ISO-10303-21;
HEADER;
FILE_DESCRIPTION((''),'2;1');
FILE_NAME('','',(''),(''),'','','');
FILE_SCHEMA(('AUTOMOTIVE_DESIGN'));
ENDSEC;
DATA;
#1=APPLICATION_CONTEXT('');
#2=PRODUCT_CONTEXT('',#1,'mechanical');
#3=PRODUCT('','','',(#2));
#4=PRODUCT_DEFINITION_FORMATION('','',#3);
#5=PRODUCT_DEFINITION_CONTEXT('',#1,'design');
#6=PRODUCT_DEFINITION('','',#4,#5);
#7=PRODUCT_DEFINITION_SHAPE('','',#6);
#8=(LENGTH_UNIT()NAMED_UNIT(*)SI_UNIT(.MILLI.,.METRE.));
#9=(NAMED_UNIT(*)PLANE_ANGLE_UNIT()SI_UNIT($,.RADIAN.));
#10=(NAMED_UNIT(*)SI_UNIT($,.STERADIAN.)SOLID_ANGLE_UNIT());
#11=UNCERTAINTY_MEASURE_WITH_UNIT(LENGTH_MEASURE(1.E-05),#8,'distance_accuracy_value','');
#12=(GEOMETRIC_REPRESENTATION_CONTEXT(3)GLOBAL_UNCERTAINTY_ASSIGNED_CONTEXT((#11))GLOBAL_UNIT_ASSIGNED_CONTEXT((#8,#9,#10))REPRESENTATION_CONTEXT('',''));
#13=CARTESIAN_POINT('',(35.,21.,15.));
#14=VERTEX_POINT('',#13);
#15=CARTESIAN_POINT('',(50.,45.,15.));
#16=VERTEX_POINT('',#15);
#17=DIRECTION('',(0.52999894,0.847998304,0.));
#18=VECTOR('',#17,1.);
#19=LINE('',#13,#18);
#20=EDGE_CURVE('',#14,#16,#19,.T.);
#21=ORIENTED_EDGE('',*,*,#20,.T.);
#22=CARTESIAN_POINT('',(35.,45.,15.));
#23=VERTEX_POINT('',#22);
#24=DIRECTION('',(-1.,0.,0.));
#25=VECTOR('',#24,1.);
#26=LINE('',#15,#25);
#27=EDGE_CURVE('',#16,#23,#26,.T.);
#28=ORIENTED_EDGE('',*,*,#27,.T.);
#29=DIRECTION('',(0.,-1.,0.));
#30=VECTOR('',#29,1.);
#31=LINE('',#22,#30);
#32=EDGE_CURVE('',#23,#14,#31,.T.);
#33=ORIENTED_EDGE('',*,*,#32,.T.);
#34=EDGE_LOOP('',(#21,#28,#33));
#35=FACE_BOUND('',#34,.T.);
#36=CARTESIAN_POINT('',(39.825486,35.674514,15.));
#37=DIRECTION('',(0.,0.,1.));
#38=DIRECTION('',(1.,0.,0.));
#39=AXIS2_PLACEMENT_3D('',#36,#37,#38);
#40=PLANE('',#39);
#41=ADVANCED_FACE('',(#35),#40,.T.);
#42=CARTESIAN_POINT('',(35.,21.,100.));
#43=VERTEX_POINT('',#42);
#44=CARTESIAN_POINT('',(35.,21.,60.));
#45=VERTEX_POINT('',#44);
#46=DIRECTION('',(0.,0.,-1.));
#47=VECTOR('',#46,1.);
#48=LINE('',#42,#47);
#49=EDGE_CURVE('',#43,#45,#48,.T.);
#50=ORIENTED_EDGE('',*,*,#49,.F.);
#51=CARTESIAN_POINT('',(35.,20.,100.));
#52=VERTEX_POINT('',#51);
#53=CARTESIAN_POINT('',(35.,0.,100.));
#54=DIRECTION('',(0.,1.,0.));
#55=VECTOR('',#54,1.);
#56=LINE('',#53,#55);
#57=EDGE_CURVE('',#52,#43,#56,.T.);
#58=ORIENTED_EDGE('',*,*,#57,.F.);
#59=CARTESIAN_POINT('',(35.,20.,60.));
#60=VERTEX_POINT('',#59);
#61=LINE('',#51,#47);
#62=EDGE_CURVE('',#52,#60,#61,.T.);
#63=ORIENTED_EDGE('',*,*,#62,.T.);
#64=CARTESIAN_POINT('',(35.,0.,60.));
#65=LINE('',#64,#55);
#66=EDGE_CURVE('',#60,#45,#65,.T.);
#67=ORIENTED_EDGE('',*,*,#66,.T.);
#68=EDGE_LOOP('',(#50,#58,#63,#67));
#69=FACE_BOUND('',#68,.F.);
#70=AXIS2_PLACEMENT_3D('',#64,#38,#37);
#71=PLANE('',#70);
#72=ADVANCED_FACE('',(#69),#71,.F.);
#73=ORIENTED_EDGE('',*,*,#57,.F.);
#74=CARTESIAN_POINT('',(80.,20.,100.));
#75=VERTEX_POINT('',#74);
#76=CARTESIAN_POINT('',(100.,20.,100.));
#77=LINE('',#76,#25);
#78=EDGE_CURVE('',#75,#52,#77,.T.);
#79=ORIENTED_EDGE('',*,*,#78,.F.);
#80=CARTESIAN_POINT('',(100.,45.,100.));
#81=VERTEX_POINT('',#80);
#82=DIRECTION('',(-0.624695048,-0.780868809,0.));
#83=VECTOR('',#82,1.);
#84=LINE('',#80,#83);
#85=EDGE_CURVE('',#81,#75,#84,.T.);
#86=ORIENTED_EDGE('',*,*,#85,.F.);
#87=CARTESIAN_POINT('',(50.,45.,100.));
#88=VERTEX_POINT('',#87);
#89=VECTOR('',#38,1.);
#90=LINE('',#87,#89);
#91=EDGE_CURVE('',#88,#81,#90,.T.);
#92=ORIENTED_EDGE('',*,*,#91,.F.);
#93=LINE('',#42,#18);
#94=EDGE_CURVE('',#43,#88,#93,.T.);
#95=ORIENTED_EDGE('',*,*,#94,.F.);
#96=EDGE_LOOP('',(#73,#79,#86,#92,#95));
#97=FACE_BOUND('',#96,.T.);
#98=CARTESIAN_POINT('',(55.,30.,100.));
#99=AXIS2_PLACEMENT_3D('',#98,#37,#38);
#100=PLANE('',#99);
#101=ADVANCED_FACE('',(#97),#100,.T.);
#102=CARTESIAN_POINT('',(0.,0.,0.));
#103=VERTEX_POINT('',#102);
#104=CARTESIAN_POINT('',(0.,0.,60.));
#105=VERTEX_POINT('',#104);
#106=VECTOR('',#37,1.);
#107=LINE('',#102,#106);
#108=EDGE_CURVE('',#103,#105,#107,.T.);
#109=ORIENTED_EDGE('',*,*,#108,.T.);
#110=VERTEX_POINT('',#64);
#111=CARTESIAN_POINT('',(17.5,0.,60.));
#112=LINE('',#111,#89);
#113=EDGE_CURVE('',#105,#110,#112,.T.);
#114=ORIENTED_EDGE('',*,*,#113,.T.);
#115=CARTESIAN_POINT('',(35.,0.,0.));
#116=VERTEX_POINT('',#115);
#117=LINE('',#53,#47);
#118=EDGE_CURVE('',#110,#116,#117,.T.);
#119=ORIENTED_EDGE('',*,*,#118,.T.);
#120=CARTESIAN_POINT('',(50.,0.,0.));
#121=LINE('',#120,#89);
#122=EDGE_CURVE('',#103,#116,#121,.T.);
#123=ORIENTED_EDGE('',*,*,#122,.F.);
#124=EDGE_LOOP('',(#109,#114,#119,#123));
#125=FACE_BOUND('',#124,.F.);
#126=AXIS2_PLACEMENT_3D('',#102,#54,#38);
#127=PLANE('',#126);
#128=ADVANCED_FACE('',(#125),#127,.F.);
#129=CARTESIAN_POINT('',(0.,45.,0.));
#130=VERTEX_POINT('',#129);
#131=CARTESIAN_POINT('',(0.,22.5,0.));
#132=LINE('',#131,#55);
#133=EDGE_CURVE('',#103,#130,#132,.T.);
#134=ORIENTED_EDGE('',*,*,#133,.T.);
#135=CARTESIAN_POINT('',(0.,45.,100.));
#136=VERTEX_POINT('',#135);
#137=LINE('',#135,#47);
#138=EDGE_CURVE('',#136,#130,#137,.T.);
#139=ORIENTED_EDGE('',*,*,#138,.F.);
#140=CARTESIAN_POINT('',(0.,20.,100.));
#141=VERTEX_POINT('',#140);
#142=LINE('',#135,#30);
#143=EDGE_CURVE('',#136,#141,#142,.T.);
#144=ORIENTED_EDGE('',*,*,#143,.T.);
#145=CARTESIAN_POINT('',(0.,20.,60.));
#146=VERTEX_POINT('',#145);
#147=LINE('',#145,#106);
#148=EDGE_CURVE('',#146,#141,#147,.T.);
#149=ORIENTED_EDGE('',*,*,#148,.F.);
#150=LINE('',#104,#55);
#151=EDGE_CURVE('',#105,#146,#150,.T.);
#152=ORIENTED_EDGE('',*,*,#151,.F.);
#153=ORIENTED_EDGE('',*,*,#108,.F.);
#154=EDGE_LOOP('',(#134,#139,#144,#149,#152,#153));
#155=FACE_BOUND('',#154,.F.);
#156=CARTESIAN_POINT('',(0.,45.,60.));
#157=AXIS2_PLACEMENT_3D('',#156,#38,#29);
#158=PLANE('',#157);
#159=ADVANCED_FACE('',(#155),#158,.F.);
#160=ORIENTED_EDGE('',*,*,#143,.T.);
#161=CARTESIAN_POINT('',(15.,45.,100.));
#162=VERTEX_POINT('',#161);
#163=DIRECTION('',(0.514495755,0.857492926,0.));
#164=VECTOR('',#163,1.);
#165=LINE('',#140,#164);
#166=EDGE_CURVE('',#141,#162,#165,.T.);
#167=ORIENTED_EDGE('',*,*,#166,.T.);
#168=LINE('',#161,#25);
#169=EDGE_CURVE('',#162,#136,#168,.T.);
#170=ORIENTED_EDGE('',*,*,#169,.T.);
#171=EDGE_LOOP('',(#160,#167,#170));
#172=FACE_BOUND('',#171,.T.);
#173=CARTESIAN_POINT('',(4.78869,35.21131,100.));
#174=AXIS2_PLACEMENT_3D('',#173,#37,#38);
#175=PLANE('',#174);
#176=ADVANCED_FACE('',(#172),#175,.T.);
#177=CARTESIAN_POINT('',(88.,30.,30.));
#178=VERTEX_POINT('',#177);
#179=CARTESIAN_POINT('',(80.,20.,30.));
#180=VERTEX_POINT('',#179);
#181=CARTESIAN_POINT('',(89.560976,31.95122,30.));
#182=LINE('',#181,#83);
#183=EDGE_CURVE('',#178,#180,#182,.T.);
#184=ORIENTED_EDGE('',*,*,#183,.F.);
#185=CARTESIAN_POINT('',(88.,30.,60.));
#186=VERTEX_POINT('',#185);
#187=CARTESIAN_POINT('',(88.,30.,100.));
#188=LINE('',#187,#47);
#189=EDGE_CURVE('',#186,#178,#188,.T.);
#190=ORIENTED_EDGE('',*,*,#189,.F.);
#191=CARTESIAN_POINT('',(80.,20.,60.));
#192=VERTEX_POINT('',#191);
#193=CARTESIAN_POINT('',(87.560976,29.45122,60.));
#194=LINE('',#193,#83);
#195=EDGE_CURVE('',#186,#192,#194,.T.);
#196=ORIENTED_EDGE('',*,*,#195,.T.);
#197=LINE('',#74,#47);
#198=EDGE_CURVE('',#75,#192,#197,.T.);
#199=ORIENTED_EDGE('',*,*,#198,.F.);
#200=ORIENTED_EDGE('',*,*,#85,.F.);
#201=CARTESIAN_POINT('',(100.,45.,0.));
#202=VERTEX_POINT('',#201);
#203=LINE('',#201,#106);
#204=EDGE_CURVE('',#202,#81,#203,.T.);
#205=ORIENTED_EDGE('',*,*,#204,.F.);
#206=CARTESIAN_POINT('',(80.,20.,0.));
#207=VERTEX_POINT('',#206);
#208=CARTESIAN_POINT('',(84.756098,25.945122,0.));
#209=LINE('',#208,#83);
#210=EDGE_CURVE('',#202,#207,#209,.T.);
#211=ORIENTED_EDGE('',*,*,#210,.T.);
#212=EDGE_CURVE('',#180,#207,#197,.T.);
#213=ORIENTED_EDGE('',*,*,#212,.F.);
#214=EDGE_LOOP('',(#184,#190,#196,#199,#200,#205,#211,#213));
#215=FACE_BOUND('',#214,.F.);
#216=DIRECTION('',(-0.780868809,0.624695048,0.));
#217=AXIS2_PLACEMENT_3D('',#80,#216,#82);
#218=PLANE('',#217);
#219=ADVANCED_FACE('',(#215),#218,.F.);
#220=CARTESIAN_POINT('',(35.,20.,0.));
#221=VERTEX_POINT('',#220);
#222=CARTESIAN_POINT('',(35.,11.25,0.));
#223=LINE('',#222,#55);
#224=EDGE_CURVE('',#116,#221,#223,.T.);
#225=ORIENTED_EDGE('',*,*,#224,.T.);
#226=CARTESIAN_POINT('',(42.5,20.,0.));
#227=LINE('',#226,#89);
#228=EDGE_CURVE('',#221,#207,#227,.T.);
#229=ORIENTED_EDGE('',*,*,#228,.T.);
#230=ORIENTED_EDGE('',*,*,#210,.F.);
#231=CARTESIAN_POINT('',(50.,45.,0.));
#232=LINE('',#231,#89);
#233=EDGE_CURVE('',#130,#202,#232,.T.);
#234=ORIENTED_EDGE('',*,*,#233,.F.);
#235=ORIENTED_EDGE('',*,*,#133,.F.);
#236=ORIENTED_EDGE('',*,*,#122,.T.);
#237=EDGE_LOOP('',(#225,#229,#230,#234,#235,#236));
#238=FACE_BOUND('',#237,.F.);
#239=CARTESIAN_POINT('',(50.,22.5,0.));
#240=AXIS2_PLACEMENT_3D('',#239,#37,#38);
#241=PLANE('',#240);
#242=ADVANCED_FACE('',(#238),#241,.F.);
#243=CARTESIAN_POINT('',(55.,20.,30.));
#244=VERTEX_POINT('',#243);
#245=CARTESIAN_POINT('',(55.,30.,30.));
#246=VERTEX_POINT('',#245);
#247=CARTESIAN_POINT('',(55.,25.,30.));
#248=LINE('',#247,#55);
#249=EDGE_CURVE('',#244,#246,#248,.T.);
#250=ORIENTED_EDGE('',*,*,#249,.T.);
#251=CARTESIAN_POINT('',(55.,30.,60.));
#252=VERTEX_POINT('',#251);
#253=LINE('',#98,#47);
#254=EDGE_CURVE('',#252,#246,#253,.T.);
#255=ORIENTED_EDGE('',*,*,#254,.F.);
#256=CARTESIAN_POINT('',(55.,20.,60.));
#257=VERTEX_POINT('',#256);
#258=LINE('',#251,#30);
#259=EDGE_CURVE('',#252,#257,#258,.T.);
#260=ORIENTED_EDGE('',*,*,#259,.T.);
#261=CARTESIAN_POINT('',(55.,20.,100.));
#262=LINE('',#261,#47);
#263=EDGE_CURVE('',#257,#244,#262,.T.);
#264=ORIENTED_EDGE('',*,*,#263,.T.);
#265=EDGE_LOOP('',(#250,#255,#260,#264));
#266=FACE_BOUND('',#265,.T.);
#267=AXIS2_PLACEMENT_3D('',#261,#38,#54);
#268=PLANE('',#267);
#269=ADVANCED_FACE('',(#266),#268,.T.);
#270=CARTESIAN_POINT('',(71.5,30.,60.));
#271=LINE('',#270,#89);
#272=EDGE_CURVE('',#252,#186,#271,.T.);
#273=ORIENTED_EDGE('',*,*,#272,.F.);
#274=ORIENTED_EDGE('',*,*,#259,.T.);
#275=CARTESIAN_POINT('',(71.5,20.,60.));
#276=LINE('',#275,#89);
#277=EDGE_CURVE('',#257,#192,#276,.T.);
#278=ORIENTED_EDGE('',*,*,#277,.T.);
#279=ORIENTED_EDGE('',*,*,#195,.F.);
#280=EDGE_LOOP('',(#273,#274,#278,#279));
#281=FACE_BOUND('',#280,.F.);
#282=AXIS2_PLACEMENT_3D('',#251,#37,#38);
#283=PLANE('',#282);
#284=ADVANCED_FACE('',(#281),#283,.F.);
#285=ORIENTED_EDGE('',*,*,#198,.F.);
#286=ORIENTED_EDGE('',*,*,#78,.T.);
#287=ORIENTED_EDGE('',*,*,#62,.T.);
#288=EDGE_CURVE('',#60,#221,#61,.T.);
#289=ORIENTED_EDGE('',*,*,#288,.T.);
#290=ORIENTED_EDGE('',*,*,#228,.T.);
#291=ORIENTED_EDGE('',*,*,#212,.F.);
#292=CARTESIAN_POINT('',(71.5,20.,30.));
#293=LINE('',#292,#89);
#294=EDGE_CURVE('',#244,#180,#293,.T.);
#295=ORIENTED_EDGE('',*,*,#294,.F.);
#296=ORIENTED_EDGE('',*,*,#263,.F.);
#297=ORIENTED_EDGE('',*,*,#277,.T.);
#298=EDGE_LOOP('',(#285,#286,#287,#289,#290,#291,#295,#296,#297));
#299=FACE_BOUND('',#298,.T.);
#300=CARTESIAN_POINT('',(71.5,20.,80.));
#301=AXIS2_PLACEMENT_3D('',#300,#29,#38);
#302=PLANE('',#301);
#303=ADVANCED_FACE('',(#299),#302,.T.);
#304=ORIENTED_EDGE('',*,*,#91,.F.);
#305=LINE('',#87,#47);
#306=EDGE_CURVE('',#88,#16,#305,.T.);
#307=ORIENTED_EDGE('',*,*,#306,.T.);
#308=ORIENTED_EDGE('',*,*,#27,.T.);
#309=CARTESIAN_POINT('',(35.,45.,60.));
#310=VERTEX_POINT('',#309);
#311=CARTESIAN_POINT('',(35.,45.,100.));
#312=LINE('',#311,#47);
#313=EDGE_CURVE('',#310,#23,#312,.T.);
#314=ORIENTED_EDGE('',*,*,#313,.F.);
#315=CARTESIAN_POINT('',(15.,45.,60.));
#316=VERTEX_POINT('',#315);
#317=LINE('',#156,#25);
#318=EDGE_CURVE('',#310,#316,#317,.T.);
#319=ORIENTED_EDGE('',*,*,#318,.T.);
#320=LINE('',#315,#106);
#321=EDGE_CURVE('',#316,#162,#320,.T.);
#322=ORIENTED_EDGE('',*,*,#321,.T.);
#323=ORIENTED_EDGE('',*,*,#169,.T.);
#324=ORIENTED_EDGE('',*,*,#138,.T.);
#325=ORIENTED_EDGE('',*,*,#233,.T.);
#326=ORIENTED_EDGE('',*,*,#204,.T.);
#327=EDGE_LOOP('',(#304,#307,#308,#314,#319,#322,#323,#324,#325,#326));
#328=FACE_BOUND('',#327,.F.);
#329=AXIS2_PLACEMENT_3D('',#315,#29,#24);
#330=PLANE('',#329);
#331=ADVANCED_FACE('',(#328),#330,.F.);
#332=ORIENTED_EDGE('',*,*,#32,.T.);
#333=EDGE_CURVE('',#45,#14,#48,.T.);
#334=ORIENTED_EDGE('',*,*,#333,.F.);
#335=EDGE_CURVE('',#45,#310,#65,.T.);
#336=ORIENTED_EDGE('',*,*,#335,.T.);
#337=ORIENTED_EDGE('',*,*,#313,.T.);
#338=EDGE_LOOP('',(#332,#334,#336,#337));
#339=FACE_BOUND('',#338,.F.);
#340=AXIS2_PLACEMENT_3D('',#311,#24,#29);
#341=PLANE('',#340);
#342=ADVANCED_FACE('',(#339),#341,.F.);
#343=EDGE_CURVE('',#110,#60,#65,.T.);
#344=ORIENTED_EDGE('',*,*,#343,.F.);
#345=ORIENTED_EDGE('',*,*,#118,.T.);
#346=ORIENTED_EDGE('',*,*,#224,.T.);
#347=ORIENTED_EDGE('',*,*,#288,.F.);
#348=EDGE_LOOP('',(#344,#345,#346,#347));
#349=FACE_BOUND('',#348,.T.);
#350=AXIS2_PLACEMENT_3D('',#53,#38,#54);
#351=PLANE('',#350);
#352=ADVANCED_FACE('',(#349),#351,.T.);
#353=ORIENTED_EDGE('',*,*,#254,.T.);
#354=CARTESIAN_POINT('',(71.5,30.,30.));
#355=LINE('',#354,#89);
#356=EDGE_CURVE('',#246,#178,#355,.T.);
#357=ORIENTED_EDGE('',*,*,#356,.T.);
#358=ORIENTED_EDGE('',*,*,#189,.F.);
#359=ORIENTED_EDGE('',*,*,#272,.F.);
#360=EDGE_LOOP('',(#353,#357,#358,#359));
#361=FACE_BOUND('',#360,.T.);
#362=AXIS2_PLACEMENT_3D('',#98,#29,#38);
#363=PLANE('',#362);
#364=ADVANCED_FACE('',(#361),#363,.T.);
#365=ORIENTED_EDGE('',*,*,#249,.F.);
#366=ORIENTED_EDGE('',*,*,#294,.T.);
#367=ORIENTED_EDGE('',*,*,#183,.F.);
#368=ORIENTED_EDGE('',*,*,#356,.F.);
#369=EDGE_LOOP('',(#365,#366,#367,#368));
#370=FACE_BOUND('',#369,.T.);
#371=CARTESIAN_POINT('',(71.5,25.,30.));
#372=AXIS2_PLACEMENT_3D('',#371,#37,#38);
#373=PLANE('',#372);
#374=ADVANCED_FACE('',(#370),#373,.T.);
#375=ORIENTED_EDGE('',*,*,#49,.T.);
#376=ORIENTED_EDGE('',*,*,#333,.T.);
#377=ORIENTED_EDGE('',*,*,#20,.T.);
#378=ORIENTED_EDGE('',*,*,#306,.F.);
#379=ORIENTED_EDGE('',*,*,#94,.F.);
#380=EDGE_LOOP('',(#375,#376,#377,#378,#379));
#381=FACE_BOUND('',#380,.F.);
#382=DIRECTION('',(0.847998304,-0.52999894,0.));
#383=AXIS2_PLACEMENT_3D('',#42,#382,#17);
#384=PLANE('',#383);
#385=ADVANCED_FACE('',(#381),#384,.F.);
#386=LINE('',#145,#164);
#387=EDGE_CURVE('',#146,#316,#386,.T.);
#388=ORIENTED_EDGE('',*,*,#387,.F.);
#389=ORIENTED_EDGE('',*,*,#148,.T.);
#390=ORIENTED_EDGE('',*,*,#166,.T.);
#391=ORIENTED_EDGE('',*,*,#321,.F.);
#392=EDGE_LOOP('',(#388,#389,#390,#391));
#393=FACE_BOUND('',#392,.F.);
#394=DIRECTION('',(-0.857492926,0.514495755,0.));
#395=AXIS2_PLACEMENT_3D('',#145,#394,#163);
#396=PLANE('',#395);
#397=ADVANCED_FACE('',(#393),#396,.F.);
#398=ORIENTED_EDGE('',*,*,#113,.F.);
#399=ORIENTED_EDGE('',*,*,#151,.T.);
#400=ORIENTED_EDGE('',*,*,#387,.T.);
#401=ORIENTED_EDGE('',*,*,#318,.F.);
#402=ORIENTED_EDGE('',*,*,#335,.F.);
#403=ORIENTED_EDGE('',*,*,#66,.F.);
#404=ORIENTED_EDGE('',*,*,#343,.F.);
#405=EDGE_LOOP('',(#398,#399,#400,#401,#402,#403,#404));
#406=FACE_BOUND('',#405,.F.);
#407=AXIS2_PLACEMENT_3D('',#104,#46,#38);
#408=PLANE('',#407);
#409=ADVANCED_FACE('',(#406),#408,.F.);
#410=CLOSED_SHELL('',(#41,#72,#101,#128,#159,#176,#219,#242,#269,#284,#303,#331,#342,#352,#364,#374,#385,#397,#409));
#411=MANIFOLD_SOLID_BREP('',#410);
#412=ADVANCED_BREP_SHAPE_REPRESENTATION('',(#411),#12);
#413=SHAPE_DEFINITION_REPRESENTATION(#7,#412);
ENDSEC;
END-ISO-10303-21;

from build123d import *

# Parameters (mm, degrees)
F0_W      = 100
F0_H      = 45
F1_DEPTH  = 100
F2_W      = 65
F2_H      = 20
F3_DEPTH  = 100.001
F4_W      = 35
F4_H      = 40
F5_DEPTH  = 45.001
F7_DEPTH  = 40
F9_DEPTH  = 85
F10_W     = 33
F10_H     = 10
F11_DEPTH = 70
F12_W     = 33
F12_H     = 40
F13_DEPTH = 10
F15_DEPTH = 100.001


with BuildPart() as f1:
    # F0 (on Top) → F1 (new body)
    with BuildSketch(Plane.XY):
        with Locations((50, 22.5)):
            Rectangle(F0_W, F0_H)
    extrude(amount=F1_DEPTH)

    # F2 (on face) → F3 (cut, through all)
    with BuildSketch(Plane.XY.offset(100)):
        with Locations((67.5, 10)):
            Rectangle(F2_W, F2_H)
    extrude(amount=-F3_DEPTH, mode=Mode.SUBTRACT)

    # F4 (on face) → F5 (cut, through all)
    with BuildSketch(Plane.XZ):
        with Locations((17.5, 80)):
            Rectangle(F4_W, F4_H)
    extrude(amount=-F5_DEPTH, mode=Mode.SUBTRACT)

    # F6 (on face) → F7 (join)
    with BuildSketch(Plane.XY.offset(60)):
        Polygon((0, 20), (15, 45), (0, 45), align=None)
    extrude(amount=F7_DEPTH)

    # F8 (on face) → F9 (cut)
    with BuildSketch(Plane.XY.offset(100)):
        Polygon((35, 21), (50, 45), (35, 45), align=None)
    extrude(amount=-F9_DEPTH, mode=Mode.SUBTRACT)

    # F10 (on face) → F11 (cut)
    with BuildSketch(Plane.XY.offset(100)):
        with Locations((71.5, 25)):
            Rectangle(F10_W, F10_H)
    extrude(amount=-F11_DEPTH, mode=Mode.SUBTRACT)

    # F12 (on face) → F13 (join)
    with BuildSketch(Plane.XZ.offset(-30)):
        with Locations((71.5, 80)):
            Rectangle(F12_W, F12_H)
    extrude(amount=F13_DEPTH)

    # F14 (on face) → F15 (cut, through all)
    with BuildSketch(Plane.XY.offset(100)):
        Polygon((100, 20), (100, 45), (80, 20), align=None)
    extrude(amount=-F15_DEPTH, mode=Mode.SUBTRACT)


solid = f1.part
